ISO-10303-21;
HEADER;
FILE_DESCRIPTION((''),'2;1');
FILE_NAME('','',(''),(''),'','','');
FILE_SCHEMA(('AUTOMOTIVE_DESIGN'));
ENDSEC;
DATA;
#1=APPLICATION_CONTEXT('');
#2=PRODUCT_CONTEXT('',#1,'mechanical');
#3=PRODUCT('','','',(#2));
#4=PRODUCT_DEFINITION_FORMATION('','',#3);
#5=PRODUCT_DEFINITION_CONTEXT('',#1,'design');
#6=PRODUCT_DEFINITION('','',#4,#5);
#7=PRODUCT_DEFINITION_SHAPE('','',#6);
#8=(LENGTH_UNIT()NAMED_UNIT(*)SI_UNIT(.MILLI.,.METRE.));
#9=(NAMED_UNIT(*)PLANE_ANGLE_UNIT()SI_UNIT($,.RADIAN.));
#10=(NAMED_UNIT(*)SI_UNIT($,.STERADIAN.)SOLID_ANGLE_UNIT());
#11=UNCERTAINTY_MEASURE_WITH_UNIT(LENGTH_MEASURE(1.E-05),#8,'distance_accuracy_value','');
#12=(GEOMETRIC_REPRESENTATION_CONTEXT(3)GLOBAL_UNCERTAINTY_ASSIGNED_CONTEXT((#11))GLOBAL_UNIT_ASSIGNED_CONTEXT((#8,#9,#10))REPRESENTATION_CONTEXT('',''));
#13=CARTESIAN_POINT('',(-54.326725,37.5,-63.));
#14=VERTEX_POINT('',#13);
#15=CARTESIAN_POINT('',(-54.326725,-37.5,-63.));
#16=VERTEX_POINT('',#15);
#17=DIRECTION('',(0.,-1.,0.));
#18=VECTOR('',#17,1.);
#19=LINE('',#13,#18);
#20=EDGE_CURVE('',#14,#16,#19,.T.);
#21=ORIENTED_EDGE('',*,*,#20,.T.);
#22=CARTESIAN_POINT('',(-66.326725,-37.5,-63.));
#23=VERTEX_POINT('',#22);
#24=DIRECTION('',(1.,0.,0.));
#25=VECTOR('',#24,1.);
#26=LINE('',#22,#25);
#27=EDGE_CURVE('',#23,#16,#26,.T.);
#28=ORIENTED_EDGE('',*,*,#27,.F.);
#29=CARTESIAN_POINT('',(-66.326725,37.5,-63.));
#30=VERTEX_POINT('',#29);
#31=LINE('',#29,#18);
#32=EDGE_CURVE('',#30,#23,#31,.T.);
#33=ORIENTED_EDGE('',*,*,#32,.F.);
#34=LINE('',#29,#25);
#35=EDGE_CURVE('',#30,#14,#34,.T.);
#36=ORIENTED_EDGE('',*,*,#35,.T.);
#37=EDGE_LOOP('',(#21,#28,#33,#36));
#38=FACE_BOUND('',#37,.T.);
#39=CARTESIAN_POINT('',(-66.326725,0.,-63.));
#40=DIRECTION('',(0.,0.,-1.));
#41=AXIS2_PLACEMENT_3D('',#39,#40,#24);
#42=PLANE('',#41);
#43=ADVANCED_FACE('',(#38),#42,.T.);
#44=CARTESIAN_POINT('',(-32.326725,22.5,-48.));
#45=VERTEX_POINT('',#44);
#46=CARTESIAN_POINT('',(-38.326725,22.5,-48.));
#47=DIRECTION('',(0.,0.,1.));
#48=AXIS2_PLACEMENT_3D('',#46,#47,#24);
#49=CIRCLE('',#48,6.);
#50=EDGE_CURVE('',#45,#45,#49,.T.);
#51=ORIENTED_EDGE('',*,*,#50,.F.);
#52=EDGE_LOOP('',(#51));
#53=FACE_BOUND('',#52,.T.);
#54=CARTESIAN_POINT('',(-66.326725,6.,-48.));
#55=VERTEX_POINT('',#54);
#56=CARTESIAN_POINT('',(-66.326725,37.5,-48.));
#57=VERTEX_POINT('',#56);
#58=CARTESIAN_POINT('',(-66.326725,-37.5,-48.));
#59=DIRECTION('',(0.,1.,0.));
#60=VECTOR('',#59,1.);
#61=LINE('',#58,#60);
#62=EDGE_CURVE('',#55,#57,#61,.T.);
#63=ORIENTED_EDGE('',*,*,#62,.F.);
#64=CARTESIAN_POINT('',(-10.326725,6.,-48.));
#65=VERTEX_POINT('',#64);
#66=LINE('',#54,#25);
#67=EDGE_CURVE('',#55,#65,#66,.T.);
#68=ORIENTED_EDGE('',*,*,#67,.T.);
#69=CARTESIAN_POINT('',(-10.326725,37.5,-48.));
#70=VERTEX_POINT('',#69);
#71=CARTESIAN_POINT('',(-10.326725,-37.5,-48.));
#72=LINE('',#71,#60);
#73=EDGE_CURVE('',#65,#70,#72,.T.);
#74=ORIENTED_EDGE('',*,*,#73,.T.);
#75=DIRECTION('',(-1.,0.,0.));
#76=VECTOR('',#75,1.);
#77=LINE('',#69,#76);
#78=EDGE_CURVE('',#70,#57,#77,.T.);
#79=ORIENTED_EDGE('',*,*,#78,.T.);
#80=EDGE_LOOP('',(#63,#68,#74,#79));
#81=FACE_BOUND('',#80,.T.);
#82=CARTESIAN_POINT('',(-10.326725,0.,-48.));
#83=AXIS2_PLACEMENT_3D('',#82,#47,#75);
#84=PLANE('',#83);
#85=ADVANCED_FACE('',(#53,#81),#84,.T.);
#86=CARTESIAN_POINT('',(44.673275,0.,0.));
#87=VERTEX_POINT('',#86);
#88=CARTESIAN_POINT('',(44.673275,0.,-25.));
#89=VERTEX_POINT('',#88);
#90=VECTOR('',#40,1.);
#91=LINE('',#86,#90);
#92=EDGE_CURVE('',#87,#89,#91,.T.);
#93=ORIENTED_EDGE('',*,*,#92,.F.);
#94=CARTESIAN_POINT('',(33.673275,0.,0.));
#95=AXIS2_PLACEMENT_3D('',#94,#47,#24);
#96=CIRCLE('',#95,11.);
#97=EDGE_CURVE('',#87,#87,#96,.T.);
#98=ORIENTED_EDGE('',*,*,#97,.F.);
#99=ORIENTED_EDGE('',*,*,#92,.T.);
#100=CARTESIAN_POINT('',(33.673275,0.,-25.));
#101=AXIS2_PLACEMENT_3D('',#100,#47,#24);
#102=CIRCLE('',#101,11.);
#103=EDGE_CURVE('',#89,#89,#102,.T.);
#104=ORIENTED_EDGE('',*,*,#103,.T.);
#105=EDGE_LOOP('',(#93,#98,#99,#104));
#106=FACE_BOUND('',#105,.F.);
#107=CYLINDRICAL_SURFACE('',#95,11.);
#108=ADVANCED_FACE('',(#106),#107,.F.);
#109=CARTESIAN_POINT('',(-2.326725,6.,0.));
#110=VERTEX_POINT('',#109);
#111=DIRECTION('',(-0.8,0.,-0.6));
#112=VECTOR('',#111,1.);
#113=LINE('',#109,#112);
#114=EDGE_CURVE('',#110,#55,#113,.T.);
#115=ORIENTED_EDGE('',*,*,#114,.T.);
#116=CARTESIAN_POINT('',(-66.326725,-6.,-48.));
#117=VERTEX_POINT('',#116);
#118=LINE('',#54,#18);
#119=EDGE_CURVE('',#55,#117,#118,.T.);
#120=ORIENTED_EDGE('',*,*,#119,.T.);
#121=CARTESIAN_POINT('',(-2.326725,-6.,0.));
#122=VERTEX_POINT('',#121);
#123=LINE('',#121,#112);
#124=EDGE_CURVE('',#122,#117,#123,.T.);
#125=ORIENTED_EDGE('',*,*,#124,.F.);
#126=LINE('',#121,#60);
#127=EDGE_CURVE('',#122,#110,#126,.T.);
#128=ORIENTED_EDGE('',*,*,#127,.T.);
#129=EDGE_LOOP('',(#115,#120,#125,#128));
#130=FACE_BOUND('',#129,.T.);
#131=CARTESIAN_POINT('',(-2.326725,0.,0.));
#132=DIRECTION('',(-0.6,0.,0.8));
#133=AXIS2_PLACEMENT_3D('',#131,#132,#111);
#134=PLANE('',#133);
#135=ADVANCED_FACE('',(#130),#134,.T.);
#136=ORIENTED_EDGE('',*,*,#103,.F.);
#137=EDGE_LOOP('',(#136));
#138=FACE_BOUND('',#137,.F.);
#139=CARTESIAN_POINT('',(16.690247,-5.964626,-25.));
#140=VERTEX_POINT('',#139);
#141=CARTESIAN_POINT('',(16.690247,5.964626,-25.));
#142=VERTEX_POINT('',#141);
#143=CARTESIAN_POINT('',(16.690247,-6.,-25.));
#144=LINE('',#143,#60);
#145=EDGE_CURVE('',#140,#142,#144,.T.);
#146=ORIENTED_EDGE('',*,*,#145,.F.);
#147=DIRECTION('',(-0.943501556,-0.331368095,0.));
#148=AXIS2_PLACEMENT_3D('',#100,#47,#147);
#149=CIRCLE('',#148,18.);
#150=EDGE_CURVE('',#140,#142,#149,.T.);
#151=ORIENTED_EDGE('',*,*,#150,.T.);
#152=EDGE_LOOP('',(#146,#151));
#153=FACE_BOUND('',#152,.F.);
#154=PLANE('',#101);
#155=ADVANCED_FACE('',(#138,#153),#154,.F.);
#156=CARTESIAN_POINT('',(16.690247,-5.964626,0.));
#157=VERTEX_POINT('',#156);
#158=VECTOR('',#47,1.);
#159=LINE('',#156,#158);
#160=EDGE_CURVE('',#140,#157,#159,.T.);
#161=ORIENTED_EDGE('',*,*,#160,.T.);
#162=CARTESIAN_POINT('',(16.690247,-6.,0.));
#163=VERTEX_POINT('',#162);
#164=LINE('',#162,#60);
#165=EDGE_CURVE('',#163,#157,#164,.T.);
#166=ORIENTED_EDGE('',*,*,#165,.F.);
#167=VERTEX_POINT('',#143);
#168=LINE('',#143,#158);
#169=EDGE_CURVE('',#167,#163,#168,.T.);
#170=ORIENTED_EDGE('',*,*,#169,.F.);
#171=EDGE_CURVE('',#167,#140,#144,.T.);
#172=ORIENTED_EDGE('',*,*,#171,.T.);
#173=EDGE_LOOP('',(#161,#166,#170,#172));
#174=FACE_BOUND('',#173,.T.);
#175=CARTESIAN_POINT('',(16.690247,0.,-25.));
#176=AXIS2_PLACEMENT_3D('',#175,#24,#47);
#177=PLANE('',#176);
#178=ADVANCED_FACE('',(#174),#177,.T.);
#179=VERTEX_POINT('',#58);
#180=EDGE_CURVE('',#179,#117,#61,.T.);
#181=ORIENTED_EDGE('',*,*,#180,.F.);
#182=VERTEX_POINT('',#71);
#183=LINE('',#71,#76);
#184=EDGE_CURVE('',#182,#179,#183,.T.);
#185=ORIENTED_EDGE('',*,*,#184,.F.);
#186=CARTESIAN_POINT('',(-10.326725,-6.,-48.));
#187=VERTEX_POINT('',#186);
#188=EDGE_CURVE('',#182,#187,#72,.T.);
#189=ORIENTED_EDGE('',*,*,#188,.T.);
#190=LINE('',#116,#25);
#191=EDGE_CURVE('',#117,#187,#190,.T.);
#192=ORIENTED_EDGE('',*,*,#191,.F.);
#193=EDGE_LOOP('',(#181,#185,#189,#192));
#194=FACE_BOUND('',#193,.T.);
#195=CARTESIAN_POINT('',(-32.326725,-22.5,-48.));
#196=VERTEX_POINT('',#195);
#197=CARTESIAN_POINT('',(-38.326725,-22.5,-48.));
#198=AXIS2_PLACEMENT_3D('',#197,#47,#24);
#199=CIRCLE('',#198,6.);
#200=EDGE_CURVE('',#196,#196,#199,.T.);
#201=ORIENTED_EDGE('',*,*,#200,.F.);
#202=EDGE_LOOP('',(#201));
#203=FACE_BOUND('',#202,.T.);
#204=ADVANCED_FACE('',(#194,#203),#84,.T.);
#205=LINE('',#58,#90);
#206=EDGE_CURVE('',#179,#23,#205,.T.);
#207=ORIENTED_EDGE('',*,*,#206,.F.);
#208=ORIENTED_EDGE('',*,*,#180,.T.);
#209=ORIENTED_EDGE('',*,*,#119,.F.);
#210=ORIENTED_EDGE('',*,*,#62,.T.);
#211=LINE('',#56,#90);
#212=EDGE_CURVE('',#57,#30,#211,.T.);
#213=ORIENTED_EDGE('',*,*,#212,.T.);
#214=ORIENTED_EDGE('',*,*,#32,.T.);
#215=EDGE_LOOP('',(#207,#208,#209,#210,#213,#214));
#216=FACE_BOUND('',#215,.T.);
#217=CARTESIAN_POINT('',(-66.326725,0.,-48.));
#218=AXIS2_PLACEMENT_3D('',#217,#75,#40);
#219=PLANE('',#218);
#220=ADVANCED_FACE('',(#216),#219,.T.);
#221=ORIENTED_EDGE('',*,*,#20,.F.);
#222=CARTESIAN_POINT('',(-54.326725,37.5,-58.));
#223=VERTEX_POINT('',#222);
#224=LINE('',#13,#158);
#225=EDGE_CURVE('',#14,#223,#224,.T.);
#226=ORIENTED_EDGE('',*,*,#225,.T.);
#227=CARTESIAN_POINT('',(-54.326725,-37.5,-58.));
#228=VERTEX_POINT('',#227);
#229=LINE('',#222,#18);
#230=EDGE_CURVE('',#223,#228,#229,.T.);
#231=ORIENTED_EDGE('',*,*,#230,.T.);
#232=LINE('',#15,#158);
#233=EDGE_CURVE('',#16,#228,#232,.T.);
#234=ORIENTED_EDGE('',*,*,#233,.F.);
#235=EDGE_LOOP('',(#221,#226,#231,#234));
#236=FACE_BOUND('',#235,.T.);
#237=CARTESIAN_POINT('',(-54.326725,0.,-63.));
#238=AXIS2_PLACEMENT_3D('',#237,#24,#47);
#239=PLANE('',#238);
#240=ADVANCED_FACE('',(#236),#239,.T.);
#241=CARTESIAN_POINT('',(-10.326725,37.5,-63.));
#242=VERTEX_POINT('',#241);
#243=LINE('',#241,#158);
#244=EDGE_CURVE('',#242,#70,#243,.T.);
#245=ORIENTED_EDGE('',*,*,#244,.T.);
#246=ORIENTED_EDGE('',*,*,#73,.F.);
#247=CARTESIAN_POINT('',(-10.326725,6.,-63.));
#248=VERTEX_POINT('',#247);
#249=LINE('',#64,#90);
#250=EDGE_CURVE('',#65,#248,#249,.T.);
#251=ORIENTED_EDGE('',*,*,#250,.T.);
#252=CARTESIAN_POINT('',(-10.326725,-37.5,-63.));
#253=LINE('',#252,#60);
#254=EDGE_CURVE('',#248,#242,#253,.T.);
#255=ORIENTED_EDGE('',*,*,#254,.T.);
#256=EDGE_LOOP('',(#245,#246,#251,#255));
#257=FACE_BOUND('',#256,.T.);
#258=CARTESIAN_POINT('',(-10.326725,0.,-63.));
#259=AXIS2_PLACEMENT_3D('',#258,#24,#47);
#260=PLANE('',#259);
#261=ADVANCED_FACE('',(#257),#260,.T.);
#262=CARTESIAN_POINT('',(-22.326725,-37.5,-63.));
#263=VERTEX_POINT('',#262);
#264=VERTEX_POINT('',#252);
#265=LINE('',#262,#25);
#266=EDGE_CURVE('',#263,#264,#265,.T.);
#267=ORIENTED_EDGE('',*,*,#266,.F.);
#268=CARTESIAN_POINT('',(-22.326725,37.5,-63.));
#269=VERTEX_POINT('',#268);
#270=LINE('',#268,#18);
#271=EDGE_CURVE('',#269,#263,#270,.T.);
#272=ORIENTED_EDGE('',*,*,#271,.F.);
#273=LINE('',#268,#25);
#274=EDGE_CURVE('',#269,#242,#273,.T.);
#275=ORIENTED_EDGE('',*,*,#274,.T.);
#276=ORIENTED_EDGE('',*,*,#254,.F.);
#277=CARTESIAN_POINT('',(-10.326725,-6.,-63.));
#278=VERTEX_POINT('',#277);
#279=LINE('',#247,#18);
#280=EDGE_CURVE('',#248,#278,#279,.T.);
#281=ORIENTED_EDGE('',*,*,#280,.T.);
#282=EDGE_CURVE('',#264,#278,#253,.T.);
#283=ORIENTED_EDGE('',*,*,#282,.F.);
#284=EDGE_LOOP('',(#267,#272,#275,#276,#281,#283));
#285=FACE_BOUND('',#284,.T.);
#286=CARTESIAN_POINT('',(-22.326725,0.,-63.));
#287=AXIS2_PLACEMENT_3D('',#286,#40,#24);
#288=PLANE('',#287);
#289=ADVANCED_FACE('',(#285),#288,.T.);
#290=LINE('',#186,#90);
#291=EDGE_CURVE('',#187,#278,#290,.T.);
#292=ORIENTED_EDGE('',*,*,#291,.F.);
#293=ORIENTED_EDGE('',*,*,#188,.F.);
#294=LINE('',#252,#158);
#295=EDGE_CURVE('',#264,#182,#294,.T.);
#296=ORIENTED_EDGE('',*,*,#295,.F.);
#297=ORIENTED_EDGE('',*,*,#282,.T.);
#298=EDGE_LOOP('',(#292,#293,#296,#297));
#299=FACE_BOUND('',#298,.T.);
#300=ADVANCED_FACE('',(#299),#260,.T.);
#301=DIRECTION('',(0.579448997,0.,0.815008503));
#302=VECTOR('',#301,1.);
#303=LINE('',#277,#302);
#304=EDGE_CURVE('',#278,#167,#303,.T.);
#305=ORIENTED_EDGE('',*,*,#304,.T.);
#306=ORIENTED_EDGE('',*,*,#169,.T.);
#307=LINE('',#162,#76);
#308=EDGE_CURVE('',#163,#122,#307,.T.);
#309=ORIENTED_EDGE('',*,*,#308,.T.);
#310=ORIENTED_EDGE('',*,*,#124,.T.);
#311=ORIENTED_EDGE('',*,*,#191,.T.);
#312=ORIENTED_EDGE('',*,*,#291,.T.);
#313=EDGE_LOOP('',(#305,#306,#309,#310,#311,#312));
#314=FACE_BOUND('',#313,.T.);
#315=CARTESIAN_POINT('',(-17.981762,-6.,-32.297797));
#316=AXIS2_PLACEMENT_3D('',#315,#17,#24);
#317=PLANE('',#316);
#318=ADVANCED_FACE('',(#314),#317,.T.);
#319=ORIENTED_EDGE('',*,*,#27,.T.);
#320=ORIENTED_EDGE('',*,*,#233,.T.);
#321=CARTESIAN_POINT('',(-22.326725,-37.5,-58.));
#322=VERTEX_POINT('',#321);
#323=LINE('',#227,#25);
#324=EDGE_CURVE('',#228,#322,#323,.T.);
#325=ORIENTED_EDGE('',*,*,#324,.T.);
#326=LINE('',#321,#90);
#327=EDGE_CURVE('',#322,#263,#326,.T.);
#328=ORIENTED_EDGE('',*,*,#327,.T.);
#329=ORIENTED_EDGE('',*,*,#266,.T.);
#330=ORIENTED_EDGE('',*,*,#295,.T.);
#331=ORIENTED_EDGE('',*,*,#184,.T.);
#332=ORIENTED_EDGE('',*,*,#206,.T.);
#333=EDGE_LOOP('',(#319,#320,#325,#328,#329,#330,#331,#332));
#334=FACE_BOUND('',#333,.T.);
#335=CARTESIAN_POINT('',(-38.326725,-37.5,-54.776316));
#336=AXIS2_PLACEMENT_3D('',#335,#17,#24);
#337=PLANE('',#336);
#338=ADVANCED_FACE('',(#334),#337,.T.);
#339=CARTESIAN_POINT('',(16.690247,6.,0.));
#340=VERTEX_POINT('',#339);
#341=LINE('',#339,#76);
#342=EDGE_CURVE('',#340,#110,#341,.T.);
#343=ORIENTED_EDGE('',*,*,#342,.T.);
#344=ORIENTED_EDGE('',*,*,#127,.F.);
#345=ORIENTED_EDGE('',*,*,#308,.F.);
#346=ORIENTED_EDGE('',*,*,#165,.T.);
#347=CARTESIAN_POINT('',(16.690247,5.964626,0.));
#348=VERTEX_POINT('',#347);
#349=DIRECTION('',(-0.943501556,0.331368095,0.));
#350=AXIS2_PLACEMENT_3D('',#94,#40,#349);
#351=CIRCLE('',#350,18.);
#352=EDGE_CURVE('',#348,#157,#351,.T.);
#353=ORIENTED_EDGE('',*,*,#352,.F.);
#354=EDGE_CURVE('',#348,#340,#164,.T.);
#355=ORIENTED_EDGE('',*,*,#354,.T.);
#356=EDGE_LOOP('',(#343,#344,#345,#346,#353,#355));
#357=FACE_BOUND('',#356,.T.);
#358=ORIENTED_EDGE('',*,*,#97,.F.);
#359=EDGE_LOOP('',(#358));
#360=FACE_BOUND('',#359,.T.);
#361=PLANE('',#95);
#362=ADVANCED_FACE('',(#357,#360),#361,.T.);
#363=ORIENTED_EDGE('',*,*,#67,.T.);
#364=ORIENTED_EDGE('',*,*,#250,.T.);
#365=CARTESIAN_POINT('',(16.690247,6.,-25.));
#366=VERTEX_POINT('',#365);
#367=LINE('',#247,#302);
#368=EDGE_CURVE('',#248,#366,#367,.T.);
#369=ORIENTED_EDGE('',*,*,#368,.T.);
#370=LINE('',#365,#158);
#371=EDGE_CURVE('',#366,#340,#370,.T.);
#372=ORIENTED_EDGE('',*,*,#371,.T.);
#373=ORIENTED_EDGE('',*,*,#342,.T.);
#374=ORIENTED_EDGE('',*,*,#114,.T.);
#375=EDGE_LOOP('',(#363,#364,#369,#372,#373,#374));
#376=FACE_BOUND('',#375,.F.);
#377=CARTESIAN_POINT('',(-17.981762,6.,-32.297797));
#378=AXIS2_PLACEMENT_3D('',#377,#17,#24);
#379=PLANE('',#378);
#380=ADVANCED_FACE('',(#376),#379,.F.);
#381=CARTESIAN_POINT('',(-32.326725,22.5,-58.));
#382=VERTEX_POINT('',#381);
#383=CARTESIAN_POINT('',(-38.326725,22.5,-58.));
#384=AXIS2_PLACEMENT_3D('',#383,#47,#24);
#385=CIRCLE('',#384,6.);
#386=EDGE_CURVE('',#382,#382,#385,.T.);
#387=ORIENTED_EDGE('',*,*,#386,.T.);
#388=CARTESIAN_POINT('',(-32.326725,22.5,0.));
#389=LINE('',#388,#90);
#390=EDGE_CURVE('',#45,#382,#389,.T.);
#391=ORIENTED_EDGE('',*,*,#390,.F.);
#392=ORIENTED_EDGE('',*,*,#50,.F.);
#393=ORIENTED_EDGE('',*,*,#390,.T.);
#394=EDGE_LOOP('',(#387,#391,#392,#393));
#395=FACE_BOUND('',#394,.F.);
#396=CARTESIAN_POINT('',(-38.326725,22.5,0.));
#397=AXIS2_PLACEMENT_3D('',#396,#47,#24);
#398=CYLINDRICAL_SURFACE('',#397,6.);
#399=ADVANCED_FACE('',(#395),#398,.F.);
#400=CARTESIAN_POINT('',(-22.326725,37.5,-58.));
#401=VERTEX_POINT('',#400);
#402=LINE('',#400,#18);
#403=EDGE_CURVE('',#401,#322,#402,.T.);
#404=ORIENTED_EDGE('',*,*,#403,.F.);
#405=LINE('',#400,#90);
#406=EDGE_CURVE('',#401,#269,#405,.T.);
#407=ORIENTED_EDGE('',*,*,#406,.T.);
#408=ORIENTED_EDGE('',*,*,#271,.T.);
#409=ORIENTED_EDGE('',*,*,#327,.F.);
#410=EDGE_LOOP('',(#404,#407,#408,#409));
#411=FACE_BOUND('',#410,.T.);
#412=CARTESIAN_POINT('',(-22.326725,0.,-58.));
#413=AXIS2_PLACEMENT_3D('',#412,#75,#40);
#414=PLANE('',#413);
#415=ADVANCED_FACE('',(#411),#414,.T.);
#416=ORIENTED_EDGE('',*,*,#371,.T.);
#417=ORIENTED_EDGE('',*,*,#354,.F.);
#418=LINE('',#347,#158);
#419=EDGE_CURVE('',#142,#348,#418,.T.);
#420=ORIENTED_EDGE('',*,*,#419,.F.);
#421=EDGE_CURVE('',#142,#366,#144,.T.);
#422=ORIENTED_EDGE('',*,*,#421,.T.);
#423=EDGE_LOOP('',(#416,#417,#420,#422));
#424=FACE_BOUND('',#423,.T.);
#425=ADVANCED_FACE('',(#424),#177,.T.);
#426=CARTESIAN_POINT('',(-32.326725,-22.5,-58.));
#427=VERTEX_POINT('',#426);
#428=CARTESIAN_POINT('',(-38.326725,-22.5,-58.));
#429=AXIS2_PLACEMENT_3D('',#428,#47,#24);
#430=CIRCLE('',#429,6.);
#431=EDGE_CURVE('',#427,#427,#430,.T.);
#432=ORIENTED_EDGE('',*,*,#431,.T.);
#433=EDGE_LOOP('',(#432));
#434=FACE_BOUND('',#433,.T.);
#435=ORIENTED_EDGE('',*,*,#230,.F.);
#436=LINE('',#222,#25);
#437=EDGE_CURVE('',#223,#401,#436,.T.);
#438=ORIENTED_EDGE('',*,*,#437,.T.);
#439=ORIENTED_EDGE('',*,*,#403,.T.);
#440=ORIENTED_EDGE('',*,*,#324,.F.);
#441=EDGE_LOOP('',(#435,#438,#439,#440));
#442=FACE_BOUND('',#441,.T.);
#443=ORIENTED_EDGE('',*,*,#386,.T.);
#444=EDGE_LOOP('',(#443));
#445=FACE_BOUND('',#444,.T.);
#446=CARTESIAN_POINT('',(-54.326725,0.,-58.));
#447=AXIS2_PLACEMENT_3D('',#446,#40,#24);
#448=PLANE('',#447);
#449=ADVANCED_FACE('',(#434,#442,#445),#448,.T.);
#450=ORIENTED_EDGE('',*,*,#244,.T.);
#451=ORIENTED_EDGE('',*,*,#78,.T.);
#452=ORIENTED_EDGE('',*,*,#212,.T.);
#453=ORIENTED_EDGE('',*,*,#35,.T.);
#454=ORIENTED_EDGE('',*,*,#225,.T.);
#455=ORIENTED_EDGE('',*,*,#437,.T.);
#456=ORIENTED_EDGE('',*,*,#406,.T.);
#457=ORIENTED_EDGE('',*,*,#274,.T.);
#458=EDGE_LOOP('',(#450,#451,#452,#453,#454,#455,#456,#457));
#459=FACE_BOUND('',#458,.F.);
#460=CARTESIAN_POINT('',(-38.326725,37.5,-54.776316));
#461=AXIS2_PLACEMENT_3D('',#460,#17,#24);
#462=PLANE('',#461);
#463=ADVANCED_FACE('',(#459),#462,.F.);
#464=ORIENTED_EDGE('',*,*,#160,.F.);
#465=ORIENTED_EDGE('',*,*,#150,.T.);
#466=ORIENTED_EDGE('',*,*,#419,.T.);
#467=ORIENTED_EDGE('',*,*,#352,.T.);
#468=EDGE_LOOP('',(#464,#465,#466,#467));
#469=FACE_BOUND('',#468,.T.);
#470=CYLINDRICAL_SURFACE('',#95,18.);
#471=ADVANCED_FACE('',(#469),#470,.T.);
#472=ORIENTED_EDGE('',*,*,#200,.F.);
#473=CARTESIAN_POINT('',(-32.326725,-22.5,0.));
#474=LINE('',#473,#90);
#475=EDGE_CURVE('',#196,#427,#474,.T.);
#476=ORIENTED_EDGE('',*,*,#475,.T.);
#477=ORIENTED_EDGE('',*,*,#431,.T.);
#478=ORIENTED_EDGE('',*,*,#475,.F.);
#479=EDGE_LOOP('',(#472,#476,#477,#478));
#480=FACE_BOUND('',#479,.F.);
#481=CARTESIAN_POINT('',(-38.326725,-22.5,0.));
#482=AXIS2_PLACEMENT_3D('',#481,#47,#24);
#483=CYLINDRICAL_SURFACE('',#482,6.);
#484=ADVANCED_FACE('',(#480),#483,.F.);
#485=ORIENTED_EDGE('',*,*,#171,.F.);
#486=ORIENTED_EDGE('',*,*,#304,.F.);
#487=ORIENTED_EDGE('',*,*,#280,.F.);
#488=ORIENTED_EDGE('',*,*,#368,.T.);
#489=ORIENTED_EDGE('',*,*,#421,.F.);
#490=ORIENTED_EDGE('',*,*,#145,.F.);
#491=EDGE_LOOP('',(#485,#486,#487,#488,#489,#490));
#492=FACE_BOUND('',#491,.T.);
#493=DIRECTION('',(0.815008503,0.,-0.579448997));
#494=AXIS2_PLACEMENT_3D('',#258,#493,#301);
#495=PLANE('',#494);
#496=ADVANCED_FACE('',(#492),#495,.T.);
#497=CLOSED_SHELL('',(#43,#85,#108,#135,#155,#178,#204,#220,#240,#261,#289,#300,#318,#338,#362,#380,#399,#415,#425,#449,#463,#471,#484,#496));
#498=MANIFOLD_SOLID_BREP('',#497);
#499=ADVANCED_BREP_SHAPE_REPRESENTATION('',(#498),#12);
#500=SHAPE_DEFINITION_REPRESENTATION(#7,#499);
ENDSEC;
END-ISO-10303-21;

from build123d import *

# Parameters (mm, degrees)
F2_DEPTH = 37.5
F3_DEPTH = 6
F0_R     = 18
F0_R_2   = 11
F4_DEPTH = 25
F0_R_3   = 6
F5_DEPTH = 63.001


with BuildPart() as f2:
    # F1 (on Front) → F2 (new body, symmetric)
    with BuildSketch(Plane.XZ):
        Polygon((-66.326725, -48), (-66.326725, -63), (-54.326725, -63), (-54.326725, -58), (-22.326725, -58), (-22.326725, -63), (-10.326725, -63), (-10.326725, -48), align=None)
    extrude(amount=F2_DEPTH, both=True)

    # F1 (on Front) → F3 (join, symmetric)
    with BuildSketch(Plane.XZ):
        Polygon((-2.326725, 0), (-66.326725, -48), (-10.326725, -48), (-10.326725, -63), (16.690247, -25), (16.690247, 0), align=None)
    extrude(amount=F3_DEPTH, both=True)

    # F0 (on Top) → F4 (join)
    with BuildSketch(Plane.XY):
        with Locations((33.673275, 0)):
            Circle(F0_R)
        with Locations((33.673275, 0)):
            Circle(F0_R_2, mode=Mode.SUBTRACT)
    extrude(amount=-F4_DEPTH)

    # F0 (on Top) → F5 (cut, through all)
    with BuildSketch(Plane.XY):
        with Locations((-38.326725, 22.5)):
            Circle(F0_R_3)
        with Locations((-38.326725, -22.5)):
            Circle(F0_R_3)
    extrude(amount=-F5_DEPTH, mode=Mode.SUBTRACT)


solid = f2.part
